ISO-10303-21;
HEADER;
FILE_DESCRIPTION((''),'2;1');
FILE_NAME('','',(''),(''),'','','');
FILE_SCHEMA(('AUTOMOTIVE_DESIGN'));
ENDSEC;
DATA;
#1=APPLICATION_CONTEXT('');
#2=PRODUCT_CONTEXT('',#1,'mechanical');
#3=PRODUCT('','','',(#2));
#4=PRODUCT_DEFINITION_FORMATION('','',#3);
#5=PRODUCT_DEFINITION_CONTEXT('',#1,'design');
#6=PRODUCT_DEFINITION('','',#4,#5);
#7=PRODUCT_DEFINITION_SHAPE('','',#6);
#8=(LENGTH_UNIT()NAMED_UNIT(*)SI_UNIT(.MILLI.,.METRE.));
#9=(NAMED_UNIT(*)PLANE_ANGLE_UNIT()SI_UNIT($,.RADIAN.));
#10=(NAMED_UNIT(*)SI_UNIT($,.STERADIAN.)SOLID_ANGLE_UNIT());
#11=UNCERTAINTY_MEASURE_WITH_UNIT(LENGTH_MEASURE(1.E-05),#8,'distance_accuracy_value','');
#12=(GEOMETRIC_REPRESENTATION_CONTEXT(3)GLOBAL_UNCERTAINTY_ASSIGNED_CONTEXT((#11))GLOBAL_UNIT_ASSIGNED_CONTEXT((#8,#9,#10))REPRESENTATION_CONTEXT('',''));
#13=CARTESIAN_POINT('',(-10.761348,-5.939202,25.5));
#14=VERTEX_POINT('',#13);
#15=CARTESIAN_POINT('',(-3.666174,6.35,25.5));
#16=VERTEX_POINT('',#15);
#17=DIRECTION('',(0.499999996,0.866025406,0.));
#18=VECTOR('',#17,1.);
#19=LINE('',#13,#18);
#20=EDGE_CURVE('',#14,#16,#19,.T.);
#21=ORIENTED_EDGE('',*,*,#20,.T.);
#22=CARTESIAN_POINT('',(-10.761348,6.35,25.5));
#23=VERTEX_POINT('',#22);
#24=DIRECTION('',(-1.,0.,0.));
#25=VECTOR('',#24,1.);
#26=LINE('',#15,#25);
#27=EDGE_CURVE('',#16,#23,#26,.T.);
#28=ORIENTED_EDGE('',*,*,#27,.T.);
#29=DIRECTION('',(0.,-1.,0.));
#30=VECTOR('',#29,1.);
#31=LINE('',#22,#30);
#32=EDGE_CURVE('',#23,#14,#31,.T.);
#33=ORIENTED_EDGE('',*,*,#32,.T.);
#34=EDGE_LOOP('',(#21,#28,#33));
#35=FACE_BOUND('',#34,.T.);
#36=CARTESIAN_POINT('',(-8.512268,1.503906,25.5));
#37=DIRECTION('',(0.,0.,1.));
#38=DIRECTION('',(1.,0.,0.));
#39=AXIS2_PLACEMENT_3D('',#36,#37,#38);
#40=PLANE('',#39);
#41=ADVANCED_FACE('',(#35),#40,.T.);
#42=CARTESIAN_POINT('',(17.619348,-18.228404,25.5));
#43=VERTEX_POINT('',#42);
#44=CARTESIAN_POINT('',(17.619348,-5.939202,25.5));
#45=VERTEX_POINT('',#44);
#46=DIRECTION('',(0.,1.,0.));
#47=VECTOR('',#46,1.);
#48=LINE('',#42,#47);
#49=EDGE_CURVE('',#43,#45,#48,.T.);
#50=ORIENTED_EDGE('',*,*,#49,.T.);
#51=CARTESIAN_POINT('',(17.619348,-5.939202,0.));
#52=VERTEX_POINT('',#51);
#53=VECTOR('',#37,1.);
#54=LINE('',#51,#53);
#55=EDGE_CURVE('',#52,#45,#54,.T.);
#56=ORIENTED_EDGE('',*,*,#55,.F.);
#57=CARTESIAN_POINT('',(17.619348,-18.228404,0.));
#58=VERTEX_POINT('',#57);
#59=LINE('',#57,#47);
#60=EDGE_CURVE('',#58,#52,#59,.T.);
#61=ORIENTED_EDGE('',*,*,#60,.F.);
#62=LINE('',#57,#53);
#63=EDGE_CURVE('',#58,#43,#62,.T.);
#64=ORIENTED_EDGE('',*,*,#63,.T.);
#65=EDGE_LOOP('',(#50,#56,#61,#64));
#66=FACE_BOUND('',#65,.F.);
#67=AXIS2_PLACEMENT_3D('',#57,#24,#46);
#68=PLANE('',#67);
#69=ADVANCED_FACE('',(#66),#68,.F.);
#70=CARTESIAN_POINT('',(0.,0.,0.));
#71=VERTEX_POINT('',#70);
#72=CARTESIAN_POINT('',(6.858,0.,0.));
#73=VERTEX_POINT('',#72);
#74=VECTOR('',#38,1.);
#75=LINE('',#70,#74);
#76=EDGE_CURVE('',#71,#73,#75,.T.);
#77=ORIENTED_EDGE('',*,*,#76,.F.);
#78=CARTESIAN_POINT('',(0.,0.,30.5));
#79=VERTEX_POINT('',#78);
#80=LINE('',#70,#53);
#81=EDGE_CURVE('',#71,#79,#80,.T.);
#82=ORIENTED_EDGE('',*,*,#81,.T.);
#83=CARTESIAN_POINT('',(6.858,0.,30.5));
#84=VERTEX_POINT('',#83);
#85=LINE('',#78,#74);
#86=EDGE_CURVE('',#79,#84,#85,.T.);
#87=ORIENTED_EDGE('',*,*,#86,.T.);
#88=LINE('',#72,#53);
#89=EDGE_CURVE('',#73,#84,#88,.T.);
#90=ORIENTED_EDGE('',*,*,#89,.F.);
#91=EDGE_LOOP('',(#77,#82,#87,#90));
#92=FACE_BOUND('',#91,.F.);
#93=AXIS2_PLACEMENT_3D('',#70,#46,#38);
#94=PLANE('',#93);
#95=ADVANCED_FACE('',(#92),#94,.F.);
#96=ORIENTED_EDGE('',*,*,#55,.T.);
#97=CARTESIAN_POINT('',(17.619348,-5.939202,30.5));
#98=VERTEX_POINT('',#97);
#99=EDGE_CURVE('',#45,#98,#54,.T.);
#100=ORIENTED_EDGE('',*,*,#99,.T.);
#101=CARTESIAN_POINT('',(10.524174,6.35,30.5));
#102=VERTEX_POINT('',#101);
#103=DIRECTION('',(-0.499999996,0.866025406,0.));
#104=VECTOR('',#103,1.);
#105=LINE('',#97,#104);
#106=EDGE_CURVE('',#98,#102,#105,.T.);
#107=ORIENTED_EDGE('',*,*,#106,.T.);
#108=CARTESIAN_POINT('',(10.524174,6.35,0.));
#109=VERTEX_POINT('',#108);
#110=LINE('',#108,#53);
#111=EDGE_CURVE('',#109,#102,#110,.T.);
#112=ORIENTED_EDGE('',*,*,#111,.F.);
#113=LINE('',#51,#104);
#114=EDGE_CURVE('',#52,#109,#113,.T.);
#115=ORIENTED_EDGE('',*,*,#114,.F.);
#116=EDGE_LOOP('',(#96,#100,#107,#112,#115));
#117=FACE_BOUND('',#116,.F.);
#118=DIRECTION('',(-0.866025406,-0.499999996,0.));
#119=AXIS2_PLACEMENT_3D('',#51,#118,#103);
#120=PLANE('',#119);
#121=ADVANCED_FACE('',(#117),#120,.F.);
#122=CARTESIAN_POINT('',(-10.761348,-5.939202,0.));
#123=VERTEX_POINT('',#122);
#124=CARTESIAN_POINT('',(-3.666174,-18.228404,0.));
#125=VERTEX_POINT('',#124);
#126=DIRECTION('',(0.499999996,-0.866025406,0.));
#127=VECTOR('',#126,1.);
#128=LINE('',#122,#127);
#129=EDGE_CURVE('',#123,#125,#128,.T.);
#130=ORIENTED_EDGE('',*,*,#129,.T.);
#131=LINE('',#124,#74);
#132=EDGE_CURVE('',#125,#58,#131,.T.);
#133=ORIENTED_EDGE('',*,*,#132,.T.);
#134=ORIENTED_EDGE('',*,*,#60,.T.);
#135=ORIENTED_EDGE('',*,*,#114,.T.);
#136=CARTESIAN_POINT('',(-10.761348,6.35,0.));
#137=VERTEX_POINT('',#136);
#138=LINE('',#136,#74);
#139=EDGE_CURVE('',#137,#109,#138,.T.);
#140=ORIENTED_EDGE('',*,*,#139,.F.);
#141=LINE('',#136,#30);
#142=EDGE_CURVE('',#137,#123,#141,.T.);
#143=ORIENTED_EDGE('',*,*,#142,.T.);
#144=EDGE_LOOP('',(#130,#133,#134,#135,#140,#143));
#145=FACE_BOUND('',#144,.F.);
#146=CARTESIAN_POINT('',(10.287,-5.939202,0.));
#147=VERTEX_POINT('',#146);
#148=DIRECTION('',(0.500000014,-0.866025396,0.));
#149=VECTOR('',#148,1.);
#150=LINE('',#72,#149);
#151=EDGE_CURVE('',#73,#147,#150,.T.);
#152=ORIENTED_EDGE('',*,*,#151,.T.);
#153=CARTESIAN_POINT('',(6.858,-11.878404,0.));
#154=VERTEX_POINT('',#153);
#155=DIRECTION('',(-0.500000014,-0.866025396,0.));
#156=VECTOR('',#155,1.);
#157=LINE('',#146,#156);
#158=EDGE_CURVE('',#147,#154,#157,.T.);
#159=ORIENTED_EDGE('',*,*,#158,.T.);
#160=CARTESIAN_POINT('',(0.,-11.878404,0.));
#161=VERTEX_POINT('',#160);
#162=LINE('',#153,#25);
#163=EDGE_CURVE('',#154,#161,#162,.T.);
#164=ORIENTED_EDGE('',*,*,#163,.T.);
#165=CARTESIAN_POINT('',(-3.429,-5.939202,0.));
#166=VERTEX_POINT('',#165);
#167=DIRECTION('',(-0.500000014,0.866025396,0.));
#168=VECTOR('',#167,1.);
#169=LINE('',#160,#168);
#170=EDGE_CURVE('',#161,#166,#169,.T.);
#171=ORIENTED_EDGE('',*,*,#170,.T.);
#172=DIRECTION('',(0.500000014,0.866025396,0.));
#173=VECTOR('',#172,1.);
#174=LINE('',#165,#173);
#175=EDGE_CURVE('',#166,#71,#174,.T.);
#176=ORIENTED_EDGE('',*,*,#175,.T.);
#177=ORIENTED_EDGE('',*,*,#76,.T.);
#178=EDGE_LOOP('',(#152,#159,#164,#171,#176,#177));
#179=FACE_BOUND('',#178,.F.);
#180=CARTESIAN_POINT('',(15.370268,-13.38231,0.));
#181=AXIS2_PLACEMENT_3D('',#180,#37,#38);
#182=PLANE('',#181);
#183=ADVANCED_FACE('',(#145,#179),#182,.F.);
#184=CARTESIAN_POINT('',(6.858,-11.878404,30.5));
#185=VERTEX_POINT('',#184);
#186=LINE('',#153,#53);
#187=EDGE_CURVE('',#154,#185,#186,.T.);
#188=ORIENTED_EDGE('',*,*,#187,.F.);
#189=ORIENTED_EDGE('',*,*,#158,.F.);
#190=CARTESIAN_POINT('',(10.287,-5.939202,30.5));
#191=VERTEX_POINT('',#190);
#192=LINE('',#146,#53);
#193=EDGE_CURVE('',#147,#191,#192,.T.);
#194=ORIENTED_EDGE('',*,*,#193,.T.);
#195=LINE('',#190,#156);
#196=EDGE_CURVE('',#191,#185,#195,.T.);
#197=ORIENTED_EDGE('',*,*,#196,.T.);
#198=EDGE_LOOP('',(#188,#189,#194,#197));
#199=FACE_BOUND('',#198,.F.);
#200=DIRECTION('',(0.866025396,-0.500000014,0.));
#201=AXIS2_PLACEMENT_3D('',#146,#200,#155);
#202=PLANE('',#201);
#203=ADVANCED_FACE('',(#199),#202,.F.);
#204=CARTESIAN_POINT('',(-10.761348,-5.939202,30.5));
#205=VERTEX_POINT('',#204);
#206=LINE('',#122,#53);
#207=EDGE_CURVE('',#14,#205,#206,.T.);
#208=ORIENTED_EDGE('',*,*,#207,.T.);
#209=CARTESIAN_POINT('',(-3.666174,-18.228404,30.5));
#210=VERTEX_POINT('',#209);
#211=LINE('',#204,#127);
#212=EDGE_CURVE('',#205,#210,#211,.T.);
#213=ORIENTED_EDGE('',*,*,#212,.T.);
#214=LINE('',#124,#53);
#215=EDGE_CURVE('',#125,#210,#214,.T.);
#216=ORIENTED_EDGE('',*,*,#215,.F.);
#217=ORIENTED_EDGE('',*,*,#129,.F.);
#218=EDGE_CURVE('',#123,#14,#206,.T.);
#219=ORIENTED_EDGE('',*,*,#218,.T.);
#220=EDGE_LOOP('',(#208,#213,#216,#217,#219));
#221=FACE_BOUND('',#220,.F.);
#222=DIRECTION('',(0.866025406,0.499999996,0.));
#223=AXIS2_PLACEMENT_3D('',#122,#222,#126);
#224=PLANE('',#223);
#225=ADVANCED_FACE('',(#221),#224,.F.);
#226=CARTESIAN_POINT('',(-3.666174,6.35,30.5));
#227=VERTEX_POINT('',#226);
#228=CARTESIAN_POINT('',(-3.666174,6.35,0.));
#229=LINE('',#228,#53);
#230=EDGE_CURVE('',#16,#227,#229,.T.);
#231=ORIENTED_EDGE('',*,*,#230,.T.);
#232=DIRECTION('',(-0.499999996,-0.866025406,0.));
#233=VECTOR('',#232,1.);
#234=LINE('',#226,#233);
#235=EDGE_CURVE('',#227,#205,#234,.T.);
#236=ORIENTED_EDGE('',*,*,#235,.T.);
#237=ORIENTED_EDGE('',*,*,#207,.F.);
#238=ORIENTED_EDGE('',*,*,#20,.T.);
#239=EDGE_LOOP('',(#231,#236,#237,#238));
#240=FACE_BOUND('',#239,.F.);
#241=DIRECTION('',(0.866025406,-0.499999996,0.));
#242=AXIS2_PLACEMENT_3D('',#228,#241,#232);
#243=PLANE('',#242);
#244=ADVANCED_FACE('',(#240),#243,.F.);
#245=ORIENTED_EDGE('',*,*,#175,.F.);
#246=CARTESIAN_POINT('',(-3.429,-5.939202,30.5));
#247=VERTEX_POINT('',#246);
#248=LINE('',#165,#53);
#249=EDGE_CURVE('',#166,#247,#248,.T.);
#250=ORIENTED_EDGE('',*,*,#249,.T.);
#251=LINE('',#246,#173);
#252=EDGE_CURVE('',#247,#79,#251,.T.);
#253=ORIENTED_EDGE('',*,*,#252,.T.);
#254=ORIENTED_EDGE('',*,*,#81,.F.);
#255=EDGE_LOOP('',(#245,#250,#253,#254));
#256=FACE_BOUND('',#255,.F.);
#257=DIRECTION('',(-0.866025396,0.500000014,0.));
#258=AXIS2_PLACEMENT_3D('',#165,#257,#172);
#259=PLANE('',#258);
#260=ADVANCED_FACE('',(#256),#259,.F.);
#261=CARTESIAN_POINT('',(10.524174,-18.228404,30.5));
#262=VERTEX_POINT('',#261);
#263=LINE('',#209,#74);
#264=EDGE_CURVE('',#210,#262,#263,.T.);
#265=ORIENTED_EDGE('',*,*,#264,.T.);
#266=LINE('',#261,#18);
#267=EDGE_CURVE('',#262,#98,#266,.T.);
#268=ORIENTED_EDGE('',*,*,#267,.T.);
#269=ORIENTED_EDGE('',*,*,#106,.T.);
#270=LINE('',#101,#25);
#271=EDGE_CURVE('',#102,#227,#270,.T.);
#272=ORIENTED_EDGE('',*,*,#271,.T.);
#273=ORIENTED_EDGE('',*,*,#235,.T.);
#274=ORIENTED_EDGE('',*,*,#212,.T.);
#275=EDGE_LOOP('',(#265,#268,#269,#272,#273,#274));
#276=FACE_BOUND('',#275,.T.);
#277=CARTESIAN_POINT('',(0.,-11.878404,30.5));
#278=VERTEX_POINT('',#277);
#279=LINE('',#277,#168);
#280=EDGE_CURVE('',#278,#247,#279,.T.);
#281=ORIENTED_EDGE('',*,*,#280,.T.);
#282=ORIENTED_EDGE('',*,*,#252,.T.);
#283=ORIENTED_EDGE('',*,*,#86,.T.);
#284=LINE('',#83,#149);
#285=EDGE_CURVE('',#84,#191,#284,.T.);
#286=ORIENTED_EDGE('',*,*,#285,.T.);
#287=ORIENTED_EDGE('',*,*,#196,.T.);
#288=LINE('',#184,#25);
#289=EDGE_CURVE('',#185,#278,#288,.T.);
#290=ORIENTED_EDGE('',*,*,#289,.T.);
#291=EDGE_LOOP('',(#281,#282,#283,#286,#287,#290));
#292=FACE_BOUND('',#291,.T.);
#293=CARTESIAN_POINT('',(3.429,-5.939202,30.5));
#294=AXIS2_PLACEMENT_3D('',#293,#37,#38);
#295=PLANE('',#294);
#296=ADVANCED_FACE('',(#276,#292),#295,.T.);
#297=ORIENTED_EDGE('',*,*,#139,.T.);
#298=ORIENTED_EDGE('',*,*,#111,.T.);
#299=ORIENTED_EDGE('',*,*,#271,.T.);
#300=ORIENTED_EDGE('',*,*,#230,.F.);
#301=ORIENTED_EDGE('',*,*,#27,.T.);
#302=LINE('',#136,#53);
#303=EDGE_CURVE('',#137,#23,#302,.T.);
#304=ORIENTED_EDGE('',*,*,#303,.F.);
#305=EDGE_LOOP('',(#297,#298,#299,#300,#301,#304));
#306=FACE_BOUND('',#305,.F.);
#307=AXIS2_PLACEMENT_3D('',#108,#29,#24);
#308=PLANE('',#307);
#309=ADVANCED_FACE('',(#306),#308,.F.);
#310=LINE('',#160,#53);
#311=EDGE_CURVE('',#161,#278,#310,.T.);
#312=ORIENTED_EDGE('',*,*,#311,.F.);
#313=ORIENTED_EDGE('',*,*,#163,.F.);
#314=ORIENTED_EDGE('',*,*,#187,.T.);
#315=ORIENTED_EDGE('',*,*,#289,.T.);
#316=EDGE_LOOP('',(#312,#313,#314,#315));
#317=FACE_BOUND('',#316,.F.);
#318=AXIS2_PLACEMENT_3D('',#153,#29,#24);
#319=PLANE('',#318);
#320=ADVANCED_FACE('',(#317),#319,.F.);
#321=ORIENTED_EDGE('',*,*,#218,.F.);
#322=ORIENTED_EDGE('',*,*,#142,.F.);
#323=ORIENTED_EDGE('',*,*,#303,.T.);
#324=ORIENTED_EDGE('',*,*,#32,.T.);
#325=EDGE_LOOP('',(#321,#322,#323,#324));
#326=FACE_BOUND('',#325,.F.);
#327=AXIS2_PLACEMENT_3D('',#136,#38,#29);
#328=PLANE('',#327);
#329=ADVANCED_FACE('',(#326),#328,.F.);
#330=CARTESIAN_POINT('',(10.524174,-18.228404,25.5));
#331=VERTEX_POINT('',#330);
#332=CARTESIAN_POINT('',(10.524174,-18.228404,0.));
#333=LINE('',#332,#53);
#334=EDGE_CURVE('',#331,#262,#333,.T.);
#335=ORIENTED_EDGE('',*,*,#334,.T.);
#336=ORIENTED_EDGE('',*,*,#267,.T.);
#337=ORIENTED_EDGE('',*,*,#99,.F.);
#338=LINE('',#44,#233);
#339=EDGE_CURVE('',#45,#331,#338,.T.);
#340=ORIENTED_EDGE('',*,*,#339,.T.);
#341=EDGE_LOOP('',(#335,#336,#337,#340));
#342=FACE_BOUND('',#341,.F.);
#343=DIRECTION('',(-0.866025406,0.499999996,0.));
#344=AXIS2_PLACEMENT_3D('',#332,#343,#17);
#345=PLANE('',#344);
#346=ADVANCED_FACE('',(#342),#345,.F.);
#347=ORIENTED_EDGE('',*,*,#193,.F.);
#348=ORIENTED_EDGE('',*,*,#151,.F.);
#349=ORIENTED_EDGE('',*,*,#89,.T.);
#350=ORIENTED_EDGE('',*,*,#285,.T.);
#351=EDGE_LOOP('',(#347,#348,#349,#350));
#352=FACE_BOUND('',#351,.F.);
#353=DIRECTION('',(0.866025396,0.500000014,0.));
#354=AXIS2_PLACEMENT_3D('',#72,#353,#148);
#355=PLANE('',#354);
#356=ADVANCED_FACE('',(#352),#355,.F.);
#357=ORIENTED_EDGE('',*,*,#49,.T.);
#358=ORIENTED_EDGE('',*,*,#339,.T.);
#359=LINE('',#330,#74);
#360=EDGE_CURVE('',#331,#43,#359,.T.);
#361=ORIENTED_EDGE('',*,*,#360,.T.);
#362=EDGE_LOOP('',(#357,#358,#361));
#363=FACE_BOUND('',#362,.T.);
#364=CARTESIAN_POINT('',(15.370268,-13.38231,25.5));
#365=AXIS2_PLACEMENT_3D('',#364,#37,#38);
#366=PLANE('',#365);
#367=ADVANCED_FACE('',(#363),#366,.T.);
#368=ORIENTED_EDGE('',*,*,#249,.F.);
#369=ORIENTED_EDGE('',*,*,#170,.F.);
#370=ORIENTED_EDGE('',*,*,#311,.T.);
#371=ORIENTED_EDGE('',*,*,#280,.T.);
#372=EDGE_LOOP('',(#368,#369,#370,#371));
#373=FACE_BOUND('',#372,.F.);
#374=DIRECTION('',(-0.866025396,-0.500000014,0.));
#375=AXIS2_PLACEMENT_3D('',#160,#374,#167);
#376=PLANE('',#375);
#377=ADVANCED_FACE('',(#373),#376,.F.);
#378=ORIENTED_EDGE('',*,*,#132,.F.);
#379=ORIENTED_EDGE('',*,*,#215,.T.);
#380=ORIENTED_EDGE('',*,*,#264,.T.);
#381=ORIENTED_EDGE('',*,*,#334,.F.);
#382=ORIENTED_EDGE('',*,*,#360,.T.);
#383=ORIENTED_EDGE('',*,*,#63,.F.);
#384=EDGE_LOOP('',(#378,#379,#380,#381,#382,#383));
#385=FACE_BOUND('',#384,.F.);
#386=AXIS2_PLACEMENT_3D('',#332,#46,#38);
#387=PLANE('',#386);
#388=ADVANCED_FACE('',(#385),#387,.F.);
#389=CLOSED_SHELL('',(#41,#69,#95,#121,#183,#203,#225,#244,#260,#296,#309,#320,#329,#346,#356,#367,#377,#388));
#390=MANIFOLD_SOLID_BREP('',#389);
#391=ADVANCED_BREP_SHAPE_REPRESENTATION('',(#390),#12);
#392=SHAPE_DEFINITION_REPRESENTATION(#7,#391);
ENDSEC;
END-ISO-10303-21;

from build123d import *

# Parameters (mm, degrees)
F1_DEPTH = 30.5
F2_DEPTH = 25.5


with BuildPart() as f1:
    # F0 (on Top) → F1 (new body)
    with BuildSketch(Plane.XY):
        Polygon((10.524174, 6.35), (-3.666174, 6.35), (-10.761348, -5.939202), (-3.666174, -18.228404), (10.524174, -18.228404), (17.619348, -5.939202), align=None)
        Polygon((-3.429, -5.939202), (0, 0), (6.858, 0), (10.287, -5.939202), (6.858, -11.878404), (0, -11.878404), align=None, mode=Mode.SUBTRACT)
    extrude(amount=F1_DEPTH)

    # F0 (on Top) → F2 (join)
    with BuildSketch(Plane.XY):
        Polygon((17.619348, -18.228404), (17.619348, -5.939202), (10.524174, -18.228404), align=None)
        Polygon((-10.761348, -5.939202), (-3.666174, 6.35), (-10.761348, 6.35), align=None)
    extrude(amount=F2_DEPTH)


solid = f1.part
